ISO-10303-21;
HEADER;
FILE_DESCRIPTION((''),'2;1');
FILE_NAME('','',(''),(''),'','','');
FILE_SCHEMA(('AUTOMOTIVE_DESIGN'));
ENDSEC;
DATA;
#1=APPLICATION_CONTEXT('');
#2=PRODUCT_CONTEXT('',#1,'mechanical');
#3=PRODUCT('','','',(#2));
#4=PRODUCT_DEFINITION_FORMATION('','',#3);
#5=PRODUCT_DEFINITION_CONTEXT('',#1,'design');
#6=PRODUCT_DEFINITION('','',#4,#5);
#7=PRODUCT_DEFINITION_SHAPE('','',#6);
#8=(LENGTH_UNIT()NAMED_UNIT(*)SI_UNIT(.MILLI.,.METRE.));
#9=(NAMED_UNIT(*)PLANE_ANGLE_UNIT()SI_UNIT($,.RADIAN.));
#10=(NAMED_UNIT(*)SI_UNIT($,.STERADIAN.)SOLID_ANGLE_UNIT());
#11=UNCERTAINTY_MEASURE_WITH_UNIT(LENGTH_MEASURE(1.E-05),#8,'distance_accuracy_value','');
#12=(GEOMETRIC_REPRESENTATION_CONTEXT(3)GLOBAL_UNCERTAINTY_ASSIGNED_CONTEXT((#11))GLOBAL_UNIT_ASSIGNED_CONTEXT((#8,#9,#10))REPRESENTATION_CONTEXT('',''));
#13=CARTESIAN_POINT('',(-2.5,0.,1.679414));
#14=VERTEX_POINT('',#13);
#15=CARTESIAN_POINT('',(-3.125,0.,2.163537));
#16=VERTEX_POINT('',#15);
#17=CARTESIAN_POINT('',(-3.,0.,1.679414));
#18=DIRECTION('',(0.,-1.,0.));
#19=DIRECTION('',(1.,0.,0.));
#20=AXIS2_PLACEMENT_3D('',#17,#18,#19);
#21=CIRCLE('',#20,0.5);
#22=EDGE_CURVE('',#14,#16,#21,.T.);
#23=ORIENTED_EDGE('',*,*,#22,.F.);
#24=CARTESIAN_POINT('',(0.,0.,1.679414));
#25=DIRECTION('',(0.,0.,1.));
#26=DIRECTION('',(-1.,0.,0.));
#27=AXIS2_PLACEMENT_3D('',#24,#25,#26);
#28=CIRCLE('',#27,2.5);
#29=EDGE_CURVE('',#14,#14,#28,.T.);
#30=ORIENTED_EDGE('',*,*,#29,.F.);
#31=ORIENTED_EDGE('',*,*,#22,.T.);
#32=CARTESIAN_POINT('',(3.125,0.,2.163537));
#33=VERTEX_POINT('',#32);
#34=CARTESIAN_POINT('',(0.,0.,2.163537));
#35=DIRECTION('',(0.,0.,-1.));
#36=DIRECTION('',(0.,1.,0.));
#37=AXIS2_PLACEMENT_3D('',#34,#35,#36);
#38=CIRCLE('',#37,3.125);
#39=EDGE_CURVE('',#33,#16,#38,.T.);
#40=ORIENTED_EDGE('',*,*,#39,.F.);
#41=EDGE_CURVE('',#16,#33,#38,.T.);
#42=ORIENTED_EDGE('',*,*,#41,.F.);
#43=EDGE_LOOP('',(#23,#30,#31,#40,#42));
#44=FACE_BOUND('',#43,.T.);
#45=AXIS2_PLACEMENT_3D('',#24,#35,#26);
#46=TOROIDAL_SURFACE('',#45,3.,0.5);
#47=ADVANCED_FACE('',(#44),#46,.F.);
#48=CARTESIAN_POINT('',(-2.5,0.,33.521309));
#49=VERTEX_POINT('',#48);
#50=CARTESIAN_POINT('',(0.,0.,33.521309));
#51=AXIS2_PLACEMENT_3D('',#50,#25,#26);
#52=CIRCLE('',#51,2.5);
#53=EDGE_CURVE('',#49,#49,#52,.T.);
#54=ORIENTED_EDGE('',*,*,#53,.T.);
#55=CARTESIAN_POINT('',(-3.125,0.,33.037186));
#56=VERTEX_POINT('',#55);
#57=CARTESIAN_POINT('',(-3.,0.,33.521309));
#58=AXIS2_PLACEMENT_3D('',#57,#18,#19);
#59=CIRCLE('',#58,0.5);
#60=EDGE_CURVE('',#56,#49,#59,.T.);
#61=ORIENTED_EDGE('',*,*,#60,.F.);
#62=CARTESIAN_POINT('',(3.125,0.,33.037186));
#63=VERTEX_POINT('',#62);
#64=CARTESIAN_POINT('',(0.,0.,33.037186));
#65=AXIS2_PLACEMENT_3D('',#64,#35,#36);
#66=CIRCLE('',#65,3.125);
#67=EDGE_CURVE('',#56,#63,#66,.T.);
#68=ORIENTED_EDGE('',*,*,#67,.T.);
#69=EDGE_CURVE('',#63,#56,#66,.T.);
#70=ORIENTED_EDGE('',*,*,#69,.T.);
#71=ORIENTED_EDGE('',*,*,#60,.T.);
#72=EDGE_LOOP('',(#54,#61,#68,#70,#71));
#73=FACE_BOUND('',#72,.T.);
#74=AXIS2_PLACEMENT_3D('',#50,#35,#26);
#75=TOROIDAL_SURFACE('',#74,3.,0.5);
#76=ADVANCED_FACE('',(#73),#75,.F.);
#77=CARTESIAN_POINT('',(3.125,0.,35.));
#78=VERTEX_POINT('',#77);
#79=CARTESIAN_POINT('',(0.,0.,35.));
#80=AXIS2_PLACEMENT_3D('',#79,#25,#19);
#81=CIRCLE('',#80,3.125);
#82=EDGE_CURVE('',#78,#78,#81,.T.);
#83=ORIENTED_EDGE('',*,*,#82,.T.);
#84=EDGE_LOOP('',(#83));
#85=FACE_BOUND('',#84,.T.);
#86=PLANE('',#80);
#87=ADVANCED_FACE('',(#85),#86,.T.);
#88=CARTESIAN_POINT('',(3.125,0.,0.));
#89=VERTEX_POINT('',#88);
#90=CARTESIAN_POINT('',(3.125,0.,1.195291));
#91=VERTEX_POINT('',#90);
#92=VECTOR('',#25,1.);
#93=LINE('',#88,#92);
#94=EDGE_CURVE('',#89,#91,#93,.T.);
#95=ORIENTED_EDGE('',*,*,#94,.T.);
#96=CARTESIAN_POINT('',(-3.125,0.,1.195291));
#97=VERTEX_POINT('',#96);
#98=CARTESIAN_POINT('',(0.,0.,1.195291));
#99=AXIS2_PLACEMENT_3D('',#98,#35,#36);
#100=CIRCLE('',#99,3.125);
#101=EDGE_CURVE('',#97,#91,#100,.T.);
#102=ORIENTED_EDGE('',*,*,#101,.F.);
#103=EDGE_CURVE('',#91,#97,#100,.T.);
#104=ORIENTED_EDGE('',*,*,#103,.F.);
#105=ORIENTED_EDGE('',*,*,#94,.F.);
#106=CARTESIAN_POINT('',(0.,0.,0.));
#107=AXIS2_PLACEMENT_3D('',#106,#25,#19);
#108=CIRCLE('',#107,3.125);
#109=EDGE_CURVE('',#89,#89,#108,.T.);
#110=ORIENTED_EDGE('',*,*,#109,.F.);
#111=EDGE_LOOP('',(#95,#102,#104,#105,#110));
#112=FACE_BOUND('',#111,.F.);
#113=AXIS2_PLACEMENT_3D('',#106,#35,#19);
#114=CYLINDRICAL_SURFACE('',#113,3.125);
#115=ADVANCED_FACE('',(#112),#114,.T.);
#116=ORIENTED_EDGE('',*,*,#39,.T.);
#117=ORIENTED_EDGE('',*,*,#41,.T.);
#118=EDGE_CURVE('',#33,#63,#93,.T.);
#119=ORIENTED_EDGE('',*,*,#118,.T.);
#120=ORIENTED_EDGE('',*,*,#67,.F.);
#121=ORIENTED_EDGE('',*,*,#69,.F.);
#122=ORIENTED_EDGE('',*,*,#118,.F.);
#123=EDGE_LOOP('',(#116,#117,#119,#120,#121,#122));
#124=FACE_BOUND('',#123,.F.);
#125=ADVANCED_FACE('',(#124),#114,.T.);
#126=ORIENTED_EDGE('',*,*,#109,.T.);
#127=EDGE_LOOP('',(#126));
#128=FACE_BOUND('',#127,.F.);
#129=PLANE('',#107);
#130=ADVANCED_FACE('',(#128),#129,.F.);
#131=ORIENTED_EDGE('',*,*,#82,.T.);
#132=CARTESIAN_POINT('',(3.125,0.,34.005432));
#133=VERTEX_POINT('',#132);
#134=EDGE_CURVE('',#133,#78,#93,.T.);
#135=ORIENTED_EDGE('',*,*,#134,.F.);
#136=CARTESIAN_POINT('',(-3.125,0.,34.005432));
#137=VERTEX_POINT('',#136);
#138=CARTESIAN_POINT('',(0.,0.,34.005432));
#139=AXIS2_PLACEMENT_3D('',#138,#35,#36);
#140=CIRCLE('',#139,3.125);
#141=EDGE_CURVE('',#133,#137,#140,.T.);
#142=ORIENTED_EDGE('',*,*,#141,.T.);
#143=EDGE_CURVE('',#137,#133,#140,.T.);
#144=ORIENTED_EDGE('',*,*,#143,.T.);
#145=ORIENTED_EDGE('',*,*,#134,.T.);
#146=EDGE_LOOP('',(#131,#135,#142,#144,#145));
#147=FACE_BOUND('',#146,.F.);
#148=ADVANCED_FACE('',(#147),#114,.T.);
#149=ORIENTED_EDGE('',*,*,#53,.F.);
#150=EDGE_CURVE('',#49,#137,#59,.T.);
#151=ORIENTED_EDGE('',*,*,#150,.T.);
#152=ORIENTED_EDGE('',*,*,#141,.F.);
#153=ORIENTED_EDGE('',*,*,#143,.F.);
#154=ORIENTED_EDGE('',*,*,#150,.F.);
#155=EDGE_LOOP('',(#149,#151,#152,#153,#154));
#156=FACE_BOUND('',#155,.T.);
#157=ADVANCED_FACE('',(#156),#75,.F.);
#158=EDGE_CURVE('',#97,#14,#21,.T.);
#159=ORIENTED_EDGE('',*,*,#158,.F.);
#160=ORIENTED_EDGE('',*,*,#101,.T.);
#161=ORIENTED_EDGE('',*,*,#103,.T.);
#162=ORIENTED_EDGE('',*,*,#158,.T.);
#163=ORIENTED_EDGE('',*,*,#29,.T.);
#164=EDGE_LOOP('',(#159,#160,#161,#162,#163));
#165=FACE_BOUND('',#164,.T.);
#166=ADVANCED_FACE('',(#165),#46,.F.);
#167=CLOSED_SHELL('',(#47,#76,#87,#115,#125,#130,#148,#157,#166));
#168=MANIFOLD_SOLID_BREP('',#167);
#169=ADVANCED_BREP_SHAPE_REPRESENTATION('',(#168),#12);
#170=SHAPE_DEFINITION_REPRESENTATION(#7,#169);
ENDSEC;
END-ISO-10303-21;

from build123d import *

# Parameters (mm, degrees)
F0_R     = 3.125
F1_DEPTH = 35
F2_R     = 0.5
F4_R     = 0.5


with BuildPart() as f1:
    # F0 (on Top) → F1 (new body)
    with BuildSketch(Plane.XY):
        Circle(F0_R)
    extrude(amount=F1_DEPTH)

    # F2 (on Front) → F3 (revolve, cut)
    with BuildSketch(Plane.XZ):
        with Locations((-3, 1.679414)):
            Circle(F2_R)
    revolve(axis=Axis((0, 0, 0.03065), (0, 0, 1)), mode=Mode.SUBTRACT)

    # F4 (on Front) → F5 (revolve, cut)
    with BuildSketch(Plane.XZ):
        with Locations((-3, 33.521309)):
            Circle(F4_R)
    revolve(axis=Axis((0, 0, 20.967992), (0, 0, 1)), mode=Mode.SUBTRACT)


solid = f1.part
